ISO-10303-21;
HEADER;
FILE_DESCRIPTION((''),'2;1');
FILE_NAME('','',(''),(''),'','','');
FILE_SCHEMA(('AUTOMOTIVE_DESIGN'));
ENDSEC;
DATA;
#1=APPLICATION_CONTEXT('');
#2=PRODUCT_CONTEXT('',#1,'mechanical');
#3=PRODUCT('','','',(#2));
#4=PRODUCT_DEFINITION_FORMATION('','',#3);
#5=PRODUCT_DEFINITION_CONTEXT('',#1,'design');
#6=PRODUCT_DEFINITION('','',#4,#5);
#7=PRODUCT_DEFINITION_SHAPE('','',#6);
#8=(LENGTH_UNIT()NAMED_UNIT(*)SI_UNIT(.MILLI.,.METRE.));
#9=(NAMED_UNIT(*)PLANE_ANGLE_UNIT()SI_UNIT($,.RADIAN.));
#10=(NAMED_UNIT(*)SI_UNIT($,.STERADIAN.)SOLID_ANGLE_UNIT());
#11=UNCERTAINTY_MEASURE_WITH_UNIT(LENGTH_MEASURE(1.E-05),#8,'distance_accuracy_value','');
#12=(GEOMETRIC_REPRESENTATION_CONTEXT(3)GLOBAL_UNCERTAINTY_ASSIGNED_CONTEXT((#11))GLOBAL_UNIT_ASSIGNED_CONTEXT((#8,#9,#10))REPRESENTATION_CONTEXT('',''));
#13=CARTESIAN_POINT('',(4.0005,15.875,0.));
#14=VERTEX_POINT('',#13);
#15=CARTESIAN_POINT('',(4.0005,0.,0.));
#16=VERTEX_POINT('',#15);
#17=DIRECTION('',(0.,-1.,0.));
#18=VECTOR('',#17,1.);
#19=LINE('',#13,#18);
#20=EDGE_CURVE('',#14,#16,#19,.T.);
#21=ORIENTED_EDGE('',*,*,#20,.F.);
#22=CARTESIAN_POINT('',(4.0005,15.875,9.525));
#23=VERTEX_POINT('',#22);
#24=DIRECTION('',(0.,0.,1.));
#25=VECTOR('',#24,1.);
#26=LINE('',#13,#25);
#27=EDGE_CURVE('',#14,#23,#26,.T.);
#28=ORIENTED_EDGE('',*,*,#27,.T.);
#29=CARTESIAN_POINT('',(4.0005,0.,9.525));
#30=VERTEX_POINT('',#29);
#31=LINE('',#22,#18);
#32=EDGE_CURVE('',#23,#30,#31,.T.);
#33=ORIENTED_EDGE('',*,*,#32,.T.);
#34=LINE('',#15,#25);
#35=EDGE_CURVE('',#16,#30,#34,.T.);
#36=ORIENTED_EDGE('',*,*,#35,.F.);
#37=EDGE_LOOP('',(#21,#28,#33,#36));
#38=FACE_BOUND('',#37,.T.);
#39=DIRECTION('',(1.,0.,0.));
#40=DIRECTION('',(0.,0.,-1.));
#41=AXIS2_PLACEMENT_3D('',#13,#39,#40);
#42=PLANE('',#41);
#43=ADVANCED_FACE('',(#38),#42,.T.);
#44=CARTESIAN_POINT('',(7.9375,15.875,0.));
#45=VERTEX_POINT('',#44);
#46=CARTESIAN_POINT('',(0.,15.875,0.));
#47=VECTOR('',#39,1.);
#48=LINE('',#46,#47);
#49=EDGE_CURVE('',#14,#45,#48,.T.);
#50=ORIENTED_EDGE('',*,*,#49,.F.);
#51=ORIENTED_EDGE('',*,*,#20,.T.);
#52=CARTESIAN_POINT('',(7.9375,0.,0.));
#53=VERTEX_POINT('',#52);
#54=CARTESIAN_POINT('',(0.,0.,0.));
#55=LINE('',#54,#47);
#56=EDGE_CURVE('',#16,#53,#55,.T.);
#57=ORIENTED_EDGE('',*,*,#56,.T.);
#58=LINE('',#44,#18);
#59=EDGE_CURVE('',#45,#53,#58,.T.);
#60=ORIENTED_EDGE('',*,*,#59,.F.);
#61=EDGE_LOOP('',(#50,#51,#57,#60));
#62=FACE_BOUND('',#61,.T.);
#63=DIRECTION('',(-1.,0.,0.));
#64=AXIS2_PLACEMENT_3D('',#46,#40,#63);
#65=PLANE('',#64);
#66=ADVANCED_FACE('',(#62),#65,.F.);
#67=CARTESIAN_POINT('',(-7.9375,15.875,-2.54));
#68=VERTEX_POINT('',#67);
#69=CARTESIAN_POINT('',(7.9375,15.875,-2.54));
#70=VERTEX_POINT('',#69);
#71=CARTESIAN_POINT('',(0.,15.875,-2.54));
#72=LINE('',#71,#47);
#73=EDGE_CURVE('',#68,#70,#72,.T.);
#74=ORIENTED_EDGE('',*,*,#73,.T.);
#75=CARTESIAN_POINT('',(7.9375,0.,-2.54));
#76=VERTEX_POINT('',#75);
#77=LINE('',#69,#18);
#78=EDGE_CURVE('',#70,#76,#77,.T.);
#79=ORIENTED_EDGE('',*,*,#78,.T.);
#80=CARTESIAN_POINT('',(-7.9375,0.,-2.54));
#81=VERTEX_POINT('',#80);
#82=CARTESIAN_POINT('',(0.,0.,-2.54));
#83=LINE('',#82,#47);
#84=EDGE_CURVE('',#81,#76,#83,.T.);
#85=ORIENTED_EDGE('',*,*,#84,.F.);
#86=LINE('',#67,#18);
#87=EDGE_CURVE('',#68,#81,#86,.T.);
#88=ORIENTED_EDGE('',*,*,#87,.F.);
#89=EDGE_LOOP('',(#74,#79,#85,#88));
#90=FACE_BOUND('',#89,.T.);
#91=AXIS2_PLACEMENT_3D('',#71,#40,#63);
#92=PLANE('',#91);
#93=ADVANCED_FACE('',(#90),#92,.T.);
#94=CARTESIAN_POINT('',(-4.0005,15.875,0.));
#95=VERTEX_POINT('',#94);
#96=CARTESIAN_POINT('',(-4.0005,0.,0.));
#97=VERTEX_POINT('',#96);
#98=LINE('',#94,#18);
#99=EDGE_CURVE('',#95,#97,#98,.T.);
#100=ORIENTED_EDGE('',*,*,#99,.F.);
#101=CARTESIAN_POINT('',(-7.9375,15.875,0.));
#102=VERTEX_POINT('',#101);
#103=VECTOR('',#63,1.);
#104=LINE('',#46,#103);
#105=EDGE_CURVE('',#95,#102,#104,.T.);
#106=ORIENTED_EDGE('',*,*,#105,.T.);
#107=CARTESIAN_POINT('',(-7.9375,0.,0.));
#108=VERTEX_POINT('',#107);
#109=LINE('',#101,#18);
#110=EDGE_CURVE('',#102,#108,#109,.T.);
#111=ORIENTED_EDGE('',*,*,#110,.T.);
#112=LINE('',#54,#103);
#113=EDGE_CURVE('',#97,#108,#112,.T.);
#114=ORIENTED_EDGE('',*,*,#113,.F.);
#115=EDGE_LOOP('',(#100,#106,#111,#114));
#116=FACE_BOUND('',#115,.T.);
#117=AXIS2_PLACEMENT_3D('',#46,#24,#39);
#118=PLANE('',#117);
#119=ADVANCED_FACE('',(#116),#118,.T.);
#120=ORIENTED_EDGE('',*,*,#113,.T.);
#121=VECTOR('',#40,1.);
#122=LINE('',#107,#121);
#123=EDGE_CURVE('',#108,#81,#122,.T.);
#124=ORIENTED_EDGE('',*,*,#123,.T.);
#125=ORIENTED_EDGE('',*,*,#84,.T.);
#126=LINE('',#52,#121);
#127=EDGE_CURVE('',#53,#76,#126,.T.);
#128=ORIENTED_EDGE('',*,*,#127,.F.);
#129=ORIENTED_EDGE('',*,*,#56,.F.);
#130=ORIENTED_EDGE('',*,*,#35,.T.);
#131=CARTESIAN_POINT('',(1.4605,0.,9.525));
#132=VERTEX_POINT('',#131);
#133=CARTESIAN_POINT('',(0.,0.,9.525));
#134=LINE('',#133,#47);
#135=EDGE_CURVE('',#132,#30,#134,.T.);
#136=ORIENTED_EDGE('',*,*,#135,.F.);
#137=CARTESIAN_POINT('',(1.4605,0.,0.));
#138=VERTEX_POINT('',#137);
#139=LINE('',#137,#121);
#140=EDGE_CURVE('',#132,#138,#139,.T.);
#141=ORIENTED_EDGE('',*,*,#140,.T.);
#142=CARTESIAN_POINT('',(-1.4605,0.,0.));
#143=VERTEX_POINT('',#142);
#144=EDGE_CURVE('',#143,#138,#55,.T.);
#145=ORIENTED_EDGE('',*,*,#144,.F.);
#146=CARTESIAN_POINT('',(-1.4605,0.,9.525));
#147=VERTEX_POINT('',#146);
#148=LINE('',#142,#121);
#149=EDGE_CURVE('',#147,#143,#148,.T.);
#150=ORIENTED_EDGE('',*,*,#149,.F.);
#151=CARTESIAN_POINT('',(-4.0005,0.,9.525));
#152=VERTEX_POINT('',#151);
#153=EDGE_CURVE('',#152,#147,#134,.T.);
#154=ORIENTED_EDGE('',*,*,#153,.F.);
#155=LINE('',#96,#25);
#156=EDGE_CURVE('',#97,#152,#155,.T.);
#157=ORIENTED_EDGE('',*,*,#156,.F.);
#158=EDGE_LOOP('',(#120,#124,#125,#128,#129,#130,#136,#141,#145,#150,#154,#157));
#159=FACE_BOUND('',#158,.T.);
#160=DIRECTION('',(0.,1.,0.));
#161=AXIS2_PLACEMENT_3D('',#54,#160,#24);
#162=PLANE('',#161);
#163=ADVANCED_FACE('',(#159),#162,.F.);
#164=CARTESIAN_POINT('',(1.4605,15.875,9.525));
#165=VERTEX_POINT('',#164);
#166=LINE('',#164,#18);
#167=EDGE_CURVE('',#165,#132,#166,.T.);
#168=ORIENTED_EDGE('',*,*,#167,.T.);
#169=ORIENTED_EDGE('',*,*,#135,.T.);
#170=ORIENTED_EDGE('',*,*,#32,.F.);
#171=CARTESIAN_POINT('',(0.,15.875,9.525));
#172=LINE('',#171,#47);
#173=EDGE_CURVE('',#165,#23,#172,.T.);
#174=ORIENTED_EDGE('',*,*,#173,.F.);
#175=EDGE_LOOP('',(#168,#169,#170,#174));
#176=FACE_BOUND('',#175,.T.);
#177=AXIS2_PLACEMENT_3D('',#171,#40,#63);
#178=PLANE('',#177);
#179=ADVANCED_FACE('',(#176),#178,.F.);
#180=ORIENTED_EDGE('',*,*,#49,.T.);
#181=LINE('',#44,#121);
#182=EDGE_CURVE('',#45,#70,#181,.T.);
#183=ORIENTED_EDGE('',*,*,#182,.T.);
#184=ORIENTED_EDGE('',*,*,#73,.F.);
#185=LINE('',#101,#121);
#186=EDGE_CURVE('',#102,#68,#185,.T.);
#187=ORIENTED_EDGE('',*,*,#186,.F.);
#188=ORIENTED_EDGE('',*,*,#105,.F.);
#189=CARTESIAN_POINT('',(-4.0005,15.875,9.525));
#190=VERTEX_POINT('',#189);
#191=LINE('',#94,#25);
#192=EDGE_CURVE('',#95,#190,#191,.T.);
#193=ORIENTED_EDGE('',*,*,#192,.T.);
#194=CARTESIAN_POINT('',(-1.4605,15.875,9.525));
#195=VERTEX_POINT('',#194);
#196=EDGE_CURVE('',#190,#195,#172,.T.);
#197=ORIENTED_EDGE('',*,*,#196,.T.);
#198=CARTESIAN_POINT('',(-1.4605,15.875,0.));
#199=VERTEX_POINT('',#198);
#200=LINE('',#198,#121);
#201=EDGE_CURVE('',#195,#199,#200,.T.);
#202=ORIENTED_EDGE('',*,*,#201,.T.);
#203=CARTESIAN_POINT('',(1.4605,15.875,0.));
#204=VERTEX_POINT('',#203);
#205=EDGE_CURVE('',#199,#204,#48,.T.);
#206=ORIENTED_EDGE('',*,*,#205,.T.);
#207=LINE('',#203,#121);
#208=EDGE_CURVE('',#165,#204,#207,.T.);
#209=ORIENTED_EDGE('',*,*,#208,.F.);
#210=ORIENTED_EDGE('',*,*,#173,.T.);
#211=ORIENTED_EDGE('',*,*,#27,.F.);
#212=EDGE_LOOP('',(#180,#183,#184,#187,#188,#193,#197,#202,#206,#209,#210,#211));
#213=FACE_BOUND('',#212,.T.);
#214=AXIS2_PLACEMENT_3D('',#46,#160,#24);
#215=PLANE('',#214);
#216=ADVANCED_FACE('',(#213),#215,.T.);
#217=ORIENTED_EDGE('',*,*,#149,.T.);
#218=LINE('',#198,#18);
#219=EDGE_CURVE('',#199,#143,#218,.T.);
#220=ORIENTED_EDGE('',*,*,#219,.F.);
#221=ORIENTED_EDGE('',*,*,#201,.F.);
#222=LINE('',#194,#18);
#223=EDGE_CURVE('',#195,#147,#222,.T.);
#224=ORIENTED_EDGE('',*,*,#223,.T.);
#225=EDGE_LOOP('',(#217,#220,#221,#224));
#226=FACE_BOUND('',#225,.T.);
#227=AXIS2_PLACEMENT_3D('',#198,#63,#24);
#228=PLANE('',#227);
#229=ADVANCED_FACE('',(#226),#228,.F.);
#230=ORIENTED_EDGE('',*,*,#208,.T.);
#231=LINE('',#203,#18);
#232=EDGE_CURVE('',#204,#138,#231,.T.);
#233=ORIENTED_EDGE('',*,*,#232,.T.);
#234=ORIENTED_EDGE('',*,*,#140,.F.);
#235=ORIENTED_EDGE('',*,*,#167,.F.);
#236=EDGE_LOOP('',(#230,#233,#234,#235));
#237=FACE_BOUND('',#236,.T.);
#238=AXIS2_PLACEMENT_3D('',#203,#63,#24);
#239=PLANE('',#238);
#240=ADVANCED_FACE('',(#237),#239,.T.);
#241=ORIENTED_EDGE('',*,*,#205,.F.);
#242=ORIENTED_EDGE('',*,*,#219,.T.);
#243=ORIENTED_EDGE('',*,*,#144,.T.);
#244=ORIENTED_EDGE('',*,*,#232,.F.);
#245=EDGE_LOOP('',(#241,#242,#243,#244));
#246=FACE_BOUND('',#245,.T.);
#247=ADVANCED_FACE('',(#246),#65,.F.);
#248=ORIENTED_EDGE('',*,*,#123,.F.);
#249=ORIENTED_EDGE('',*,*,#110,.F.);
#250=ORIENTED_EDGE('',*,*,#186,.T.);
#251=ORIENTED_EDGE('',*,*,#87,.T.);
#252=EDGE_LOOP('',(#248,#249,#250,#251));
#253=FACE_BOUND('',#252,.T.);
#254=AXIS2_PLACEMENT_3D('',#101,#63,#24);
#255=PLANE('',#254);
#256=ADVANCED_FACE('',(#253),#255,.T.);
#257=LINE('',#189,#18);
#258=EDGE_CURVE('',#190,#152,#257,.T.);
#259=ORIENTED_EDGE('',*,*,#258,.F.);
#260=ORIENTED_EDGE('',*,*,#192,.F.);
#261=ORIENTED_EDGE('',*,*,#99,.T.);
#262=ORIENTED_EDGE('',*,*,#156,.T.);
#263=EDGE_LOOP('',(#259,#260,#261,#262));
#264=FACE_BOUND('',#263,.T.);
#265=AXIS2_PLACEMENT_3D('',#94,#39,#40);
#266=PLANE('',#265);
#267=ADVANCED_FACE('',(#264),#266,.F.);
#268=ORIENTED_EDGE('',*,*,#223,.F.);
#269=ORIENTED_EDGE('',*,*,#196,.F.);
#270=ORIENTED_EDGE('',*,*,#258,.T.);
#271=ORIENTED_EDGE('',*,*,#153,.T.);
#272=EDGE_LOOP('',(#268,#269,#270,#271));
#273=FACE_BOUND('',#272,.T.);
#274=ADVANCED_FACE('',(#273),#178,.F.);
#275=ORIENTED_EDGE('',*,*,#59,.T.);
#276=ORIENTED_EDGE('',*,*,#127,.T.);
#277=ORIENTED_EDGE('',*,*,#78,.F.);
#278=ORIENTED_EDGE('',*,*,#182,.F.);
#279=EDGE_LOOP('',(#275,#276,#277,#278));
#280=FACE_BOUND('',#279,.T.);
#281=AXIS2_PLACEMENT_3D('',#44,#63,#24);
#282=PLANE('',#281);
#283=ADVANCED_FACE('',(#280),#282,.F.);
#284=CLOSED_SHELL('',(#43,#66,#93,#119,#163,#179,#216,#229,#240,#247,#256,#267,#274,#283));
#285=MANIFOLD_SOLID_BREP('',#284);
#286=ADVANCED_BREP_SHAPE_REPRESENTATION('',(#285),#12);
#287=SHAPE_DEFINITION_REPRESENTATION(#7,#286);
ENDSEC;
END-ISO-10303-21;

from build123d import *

# Parameters (mm, degrees)
SKETCH1_W           = 3.937
SKETCH1_H           = 2.54
BOSS_EXTRUDE1_DEPTH = 15.875


with BuildPart() as part:
    # Sketch1 → Boss-Extrude1 (new body)
    with BuildSketch(Plane(origin=(0, 0, 0), x_dir=(1, 0, 0), z_dir=(0, 1, 0))):
        Polygon((4.0005, 2.54), (-4.0005, 2.54), (-4.0005, 0), (-4.0005, -9.525), (-1.4605, -9.525), (-1.4605, 0), (1.4605, 0), (1.4605, -9.525), (4.0005, -9.525), (4.0005, 0), align=None)
        with Locations((-5.969, 1.27)):
            Rectangle(SKETCH1_W, SKETCH1_H)
        with Locations((5.969, 1.27)):
            Rectangle(SKETCH1_W, SKETCH1_H)
    extrude(amount=BOSS_EXTRUDE1_DEPTH)


solid = part.part
